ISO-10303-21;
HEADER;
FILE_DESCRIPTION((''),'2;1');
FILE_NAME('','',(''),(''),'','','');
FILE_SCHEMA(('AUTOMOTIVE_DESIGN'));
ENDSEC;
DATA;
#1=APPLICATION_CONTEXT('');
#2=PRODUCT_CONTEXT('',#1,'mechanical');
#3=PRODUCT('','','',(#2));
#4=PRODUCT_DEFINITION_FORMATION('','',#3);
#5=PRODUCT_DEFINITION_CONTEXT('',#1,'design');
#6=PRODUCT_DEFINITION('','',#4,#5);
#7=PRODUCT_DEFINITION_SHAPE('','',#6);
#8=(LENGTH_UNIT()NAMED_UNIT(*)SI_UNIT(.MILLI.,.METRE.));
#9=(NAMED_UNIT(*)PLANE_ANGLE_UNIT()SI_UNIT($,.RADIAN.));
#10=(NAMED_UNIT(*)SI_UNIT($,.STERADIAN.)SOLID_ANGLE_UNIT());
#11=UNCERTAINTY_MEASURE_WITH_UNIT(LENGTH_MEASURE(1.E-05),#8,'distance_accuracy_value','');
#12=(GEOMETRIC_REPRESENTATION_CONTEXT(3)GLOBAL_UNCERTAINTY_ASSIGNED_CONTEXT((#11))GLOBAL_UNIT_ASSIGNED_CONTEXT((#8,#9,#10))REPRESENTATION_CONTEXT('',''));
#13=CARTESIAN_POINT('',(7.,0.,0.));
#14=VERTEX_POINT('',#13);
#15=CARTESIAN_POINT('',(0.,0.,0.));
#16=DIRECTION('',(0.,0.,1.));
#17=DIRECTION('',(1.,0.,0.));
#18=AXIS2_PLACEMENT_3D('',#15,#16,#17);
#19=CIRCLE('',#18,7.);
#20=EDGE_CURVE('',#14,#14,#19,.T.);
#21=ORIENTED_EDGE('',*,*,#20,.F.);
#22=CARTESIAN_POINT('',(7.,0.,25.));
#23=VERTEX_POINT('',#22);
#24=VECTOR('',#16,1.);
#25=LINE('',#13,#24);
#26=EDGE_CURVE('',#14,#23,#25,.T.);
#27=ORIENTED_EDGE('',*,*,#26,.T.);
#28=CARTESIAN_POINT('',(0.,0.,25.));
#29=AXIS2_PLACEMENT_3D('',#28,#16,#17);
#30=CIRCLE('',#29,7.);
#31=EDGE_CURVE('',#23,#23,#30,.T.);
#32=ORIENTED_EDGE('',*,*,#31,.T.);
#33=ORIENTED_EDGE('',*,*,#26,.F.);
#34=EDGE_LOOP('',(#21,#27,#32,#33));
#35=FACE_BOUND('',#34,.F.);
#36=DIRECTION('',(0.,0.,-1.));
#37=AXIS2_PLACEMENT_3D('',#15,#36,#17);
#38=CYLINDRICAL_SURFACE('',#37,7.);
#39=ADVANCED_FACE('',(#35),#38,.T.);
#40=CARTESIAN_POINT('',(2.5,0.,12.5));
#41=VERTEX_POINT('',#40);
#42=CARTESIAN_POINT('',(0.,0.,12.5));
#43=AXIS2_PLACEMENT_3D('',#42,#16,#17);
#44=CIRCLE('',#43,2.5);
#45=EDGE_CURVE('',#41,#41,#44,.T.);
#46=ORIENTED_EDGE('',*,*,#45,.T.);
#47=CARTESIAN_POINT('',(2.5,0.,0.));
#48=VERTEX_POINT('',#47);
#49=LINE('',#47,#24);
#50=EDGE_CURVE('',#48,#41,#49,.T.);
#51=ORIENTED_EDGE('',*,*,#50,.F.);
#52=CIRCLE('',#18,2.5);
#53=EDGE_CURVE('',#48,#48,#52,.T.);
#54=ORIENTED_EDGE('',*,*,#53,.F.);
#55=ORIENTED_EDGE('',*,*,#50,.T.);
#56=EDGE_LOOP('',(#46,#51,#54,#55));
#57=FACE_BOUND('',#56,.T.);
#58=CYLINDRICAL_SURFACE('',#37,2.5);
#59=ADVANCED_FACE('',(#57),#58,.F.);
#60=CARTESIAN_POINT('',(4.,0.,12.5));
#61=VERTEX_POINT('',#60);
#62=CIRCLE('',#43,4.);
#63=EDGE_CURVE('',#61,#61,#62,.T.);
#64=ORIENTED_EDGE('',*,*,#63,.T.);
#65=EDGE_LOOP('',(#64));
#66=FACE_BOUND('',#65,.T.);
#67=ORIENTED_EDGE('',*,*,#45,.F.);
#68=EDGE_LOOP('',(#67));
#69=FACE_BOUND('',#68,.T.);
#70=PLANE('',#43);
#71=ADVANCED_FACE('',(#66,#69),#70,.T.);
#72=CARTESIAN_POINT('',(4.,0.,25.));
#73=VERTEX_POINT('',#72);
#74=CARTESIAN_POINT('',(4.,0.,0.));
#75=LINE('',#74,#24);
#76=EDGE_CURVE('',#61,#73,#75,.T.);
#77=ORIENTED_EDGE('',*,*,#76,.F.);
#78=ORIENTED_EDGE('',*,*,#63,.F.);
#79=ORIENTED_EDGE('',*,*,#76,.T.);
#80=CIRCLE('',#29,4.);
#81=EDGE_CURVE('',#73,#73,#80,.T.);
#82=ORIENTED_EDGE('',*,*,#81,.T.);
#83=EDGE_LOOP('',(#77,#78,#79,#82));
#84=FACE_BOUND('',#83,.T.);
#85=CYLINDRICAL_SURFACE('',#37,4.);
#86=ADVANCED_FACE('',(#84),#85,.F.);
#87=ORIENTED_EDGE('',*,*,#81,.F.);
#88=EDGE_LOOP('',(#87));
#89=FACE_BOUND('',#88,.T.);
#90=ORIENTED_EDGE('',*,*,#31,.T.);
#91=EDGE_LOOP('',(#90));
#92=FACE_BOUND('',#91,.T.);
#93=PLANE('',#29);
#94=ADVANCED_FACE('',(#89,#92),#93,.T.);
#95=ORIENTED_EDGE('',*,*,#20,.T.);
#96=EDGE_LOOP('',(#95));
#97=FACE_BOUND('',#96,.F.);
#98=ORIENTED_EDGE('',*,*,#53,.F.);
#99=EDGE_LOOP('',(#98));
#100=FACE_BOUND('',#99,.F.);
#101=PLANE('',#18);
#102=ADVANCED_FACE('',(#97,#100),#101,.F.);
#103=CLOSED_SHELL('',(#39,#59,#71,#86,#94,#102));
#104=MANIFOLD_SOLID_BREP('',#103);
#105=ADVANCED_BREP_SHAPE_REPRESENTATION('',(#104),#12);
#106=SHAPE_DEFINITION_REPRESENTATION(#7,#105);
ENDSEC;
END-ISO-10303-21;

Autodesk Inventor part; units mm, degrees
ref_plane "YZ Plane" through (0, 0, 0) normal (1, 0, 0) x (0, 1, 0)
ref_plane "XZ Plane" through (0, 0, 0) normal (0, 1, 0) x (-1, 0, 0)
ref_plane "XY Plane" through (0, 0, 0) normal (0, 0, 1) x (1, 0, 0)
sketch "Sketch1" plane through (0, 0, 0) normal (0, 0, 1) x (1, 0, 0)
  circle A0 centre (0, 0) radius 7
  circle A1 centre (0, 0) radius 2.5
  circle A2 centre (0, 0) radius 4
  dimension "d0" = 14
  dimension "d1" = 5
  dimension "d2" = 8
extrude "Extrusion1" add sketch "Sketch1" along normal blind 25 contours A0
extrude "Extrusion2" add sketch "Sketch1" along normal blind 12.5 contours A2
properties part number "Acople de Motor PAP"
